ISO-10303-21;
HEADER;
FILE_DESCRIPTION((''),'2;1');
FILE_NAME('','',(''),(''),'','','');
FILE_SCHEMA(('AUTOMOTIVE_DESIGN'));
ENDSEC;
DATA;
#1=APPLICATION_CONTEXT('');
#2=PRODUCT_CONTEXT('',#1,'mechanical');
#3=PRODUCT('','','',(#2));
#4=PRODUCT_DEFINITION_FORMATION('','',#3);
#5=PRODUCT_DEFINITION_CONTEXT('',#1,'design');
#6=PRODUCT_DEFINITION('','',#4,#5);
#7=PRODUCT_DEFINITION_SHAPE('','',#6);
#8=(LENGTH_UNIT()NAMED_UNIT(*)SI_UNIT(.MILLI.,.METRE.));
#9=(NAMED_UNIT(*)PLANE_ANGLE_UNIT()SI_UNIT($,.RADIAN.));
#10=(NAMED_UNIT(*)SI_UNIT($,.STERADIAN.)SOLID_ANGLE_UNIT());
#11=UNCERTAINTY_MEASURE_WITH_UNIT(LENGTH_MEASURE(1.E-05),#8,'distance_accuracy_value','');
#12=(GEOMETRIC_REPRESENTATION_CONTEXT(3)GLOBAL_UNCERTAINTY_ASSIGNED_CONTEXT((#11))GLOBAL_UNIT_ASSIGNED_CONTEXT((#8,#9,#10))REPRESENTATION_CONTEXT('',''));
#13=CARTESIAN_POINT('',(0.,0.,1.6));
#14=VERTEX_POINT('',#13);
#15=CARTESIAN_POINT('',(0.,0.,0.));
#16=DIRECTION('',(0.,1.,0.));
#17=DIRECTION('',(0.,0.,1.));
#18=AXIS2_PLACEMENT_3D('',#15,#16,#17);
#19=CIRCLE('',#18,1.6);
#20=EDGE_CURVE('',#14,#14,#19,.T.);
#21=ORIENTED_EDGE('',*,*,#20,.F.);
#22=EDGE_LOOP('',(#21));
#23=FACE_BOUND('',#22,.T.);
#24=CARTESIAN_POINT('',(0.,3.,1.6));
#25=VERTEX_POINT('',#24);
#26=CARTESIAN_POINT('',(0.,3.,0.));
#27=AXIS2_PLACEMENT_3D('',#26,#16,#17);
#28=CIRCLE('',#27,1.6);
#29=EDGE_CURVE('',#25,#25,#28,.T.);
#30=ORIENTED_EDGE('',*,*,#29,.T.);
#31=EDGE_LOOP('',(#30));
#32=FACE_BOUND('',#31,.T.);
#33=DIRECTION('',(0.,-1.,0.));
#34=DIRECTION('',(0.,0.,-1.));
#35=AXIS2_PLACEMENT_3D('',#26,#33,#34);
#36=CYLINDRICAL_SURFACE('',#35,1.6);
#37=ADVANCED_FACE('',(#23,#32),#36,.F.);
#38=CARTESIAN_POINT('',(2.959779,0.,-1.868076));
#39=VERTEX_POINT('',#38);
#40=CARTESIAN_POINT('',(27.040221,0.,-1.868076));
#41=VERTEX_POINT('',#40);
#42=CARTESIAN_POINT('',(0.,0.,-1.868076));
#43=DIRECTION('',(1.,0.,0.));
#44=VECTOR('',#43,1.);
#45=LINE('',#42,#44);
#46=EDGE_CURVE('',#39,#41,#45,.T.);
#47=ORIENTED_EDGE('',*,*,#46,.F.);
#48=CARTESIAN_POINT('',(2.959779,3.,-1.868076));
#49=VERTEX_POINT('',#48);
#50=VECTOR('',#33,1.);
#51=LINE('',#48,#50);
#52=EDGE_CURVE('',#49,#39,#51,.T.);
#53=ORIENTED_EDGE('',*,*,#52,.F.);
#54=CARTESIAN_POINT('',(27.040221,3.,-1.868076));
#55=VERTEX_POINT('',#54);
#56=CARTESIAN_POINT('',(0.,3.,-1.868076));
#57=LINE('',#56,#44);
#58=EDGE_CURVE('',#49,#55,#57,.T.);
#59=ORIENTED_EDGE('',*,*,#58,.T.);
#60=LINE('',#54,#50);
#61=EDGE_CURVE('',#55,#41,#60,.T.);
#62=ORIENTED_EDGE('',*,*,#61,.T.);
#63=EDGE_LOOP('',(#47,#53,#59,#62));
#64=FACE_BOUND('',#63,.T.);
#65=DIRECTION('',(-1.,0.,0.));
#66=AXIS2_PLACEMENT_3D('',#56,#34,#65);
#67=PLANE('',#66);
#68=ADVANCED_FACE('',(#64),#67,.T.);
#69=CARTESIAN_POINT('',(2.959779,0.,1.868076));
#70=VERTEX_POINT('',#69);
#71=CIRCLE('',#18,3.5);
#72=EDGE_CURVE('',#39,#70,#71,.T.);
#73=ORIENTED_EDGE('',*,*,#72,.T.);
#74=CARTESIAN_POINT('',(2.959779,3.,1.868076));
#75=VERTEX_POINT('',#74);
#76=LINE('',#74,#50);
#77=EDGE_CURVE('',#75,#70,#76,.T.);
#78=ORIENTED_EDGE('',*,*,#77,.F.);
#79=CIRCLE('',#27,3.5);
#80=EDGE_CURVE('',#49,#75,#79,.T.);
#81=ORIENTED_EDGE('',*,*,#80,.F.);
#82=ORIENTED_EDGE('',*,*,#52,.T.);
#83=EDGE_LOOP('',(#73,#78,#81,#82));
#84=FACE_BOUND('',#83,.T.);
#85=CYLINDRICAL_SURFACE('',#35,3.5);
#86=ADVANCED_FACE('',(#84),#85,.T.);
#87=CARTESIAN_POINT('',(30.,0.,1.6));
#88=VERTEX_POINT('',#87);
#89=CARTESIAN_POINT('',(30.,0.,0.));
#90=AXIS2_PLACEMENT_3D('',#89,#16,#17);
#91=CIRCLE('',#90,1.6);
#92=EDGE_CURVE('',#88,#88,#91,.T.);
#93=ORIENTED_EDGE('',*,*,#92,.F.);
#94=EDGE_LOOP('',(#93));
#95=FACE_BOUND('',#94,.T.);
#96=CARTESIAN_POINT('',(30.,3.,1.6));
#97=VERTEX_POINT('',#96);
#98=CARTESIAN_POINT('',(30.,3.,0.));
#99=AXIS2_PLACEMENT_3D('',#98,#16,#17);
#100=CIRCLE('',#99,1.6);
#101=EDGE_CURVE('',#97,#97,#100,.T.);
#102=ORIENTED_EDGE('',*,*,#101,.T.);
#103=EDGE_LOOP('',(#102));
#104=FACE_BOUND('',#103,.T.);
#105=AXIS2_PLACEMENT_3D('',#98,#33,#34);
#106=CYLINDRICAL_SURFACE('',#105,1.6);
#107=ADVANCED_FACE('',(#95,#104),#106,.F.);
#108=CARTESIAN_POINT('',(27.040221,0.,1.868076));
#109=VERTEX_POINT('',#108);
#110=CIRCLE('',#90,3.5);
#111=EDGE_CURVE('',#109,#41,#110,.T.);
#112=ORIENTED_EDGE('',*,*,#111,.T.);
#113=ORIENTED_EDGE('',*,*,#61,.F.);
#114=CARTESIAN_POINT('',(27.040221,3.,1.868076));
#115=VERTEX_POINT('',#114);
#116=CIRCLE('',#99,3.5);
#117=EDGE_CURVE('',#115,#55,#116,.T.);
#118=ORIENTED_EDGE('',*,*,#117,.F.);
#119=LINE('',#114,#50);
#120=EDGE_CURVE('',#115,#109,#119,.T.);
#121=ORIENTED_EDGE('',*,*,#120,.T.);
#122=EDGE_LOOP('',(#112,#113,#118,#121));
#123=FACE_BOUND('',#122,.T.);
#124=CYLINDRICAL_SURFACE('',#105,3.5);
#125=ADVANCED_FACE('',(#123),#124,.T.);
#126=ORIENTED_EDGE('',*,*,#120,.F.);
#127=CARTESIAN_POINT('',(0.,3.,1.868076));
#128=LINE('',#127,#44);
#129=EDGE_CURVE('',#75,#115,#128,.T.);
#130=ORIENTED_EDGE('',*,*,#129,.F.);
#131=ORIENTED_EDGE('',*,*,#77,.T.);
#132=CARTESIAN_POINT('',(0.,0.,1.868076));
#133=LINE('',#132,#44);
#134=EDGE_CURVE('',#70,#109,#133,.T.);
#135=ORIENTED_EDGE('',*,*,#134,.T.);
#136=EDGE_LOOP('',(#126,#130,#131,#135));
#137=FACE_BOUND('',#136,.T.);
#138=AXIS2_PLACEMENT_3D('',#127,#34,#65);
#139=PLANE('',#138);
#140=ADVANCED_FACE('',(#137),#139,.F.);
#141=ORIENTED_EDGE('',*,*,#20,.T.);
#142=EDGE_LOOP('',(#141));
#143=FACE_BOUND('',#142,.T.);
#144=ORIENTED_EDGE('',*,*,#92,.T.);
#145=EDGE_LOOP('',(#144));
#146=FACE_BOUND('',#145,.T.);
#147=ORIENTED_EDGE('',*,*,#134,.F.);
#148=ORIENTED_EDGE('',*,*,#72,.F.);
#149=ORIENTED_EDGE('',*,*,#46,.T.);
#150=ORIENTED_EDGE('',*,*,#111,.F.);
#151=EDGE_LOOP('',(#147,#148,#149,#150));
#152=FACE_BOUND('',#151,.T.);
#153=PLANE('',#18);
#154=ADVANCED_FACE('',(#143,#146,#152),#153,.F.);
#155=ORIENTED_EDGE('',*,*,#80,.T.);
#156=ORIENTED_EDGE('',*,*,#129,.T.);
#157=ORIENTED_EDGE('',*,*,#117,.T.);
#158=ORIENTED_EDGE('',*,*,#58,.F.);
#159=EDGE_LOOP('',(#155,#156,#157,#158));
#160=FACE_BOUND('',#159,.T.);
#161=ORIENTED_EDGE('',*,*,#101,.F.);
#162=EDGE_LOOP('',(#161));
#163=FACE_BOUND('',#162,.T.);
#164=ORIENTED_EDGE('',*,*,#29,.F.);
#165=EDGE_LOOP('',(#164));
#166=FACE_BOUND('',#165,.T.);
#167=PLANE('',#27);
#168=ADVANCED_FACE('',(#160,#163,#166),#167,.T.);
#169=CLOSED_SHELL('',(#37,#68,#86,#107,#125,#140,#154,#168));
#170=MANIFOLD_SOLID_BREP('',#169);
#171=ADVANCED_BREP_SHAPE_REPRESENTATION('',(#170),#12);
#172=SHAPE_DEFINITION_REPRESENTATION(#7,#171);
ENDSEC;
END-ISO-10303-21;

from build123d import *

# Parameters (mm, degrees)
SKETCH1_R           = 1.6
BOSS_EXTRUDE1_DEPTH = 3


with BuildPart() as part:
    # Sketch1 → Boss-Extrude1 (new body)
    with BuildSketch(Plane(origin=(0, 0, 0), x_dir=(1, 0, 0), z_dir=(0, 1, 0))):
        with BuildLine():
            Line((27.040220901, 1.868075932), (2.959779099, 1.868075932))
            ThreePointArc((2.959779099, 1.868075932), (-3.5, 0), (2.959779099, -1.868075932))
            Line((2.959779099, -1.868075932), (27.040220901, -1.868075932))
            ThreePointArc((27.040220901, -1.868075932), (33.5, 0), (27.040220901, 1.868075932))
        make_face()
        Circle(SKETCH1_R, mode=Mode.SUBTRACT)
        with Locations((30, 0)):
            Circle(SKETCH1_R, mode=Mode.SUBTRACT)
    extrude(amount=BOSS_EXTRUDE1_DEPTH)


solid = part.part
